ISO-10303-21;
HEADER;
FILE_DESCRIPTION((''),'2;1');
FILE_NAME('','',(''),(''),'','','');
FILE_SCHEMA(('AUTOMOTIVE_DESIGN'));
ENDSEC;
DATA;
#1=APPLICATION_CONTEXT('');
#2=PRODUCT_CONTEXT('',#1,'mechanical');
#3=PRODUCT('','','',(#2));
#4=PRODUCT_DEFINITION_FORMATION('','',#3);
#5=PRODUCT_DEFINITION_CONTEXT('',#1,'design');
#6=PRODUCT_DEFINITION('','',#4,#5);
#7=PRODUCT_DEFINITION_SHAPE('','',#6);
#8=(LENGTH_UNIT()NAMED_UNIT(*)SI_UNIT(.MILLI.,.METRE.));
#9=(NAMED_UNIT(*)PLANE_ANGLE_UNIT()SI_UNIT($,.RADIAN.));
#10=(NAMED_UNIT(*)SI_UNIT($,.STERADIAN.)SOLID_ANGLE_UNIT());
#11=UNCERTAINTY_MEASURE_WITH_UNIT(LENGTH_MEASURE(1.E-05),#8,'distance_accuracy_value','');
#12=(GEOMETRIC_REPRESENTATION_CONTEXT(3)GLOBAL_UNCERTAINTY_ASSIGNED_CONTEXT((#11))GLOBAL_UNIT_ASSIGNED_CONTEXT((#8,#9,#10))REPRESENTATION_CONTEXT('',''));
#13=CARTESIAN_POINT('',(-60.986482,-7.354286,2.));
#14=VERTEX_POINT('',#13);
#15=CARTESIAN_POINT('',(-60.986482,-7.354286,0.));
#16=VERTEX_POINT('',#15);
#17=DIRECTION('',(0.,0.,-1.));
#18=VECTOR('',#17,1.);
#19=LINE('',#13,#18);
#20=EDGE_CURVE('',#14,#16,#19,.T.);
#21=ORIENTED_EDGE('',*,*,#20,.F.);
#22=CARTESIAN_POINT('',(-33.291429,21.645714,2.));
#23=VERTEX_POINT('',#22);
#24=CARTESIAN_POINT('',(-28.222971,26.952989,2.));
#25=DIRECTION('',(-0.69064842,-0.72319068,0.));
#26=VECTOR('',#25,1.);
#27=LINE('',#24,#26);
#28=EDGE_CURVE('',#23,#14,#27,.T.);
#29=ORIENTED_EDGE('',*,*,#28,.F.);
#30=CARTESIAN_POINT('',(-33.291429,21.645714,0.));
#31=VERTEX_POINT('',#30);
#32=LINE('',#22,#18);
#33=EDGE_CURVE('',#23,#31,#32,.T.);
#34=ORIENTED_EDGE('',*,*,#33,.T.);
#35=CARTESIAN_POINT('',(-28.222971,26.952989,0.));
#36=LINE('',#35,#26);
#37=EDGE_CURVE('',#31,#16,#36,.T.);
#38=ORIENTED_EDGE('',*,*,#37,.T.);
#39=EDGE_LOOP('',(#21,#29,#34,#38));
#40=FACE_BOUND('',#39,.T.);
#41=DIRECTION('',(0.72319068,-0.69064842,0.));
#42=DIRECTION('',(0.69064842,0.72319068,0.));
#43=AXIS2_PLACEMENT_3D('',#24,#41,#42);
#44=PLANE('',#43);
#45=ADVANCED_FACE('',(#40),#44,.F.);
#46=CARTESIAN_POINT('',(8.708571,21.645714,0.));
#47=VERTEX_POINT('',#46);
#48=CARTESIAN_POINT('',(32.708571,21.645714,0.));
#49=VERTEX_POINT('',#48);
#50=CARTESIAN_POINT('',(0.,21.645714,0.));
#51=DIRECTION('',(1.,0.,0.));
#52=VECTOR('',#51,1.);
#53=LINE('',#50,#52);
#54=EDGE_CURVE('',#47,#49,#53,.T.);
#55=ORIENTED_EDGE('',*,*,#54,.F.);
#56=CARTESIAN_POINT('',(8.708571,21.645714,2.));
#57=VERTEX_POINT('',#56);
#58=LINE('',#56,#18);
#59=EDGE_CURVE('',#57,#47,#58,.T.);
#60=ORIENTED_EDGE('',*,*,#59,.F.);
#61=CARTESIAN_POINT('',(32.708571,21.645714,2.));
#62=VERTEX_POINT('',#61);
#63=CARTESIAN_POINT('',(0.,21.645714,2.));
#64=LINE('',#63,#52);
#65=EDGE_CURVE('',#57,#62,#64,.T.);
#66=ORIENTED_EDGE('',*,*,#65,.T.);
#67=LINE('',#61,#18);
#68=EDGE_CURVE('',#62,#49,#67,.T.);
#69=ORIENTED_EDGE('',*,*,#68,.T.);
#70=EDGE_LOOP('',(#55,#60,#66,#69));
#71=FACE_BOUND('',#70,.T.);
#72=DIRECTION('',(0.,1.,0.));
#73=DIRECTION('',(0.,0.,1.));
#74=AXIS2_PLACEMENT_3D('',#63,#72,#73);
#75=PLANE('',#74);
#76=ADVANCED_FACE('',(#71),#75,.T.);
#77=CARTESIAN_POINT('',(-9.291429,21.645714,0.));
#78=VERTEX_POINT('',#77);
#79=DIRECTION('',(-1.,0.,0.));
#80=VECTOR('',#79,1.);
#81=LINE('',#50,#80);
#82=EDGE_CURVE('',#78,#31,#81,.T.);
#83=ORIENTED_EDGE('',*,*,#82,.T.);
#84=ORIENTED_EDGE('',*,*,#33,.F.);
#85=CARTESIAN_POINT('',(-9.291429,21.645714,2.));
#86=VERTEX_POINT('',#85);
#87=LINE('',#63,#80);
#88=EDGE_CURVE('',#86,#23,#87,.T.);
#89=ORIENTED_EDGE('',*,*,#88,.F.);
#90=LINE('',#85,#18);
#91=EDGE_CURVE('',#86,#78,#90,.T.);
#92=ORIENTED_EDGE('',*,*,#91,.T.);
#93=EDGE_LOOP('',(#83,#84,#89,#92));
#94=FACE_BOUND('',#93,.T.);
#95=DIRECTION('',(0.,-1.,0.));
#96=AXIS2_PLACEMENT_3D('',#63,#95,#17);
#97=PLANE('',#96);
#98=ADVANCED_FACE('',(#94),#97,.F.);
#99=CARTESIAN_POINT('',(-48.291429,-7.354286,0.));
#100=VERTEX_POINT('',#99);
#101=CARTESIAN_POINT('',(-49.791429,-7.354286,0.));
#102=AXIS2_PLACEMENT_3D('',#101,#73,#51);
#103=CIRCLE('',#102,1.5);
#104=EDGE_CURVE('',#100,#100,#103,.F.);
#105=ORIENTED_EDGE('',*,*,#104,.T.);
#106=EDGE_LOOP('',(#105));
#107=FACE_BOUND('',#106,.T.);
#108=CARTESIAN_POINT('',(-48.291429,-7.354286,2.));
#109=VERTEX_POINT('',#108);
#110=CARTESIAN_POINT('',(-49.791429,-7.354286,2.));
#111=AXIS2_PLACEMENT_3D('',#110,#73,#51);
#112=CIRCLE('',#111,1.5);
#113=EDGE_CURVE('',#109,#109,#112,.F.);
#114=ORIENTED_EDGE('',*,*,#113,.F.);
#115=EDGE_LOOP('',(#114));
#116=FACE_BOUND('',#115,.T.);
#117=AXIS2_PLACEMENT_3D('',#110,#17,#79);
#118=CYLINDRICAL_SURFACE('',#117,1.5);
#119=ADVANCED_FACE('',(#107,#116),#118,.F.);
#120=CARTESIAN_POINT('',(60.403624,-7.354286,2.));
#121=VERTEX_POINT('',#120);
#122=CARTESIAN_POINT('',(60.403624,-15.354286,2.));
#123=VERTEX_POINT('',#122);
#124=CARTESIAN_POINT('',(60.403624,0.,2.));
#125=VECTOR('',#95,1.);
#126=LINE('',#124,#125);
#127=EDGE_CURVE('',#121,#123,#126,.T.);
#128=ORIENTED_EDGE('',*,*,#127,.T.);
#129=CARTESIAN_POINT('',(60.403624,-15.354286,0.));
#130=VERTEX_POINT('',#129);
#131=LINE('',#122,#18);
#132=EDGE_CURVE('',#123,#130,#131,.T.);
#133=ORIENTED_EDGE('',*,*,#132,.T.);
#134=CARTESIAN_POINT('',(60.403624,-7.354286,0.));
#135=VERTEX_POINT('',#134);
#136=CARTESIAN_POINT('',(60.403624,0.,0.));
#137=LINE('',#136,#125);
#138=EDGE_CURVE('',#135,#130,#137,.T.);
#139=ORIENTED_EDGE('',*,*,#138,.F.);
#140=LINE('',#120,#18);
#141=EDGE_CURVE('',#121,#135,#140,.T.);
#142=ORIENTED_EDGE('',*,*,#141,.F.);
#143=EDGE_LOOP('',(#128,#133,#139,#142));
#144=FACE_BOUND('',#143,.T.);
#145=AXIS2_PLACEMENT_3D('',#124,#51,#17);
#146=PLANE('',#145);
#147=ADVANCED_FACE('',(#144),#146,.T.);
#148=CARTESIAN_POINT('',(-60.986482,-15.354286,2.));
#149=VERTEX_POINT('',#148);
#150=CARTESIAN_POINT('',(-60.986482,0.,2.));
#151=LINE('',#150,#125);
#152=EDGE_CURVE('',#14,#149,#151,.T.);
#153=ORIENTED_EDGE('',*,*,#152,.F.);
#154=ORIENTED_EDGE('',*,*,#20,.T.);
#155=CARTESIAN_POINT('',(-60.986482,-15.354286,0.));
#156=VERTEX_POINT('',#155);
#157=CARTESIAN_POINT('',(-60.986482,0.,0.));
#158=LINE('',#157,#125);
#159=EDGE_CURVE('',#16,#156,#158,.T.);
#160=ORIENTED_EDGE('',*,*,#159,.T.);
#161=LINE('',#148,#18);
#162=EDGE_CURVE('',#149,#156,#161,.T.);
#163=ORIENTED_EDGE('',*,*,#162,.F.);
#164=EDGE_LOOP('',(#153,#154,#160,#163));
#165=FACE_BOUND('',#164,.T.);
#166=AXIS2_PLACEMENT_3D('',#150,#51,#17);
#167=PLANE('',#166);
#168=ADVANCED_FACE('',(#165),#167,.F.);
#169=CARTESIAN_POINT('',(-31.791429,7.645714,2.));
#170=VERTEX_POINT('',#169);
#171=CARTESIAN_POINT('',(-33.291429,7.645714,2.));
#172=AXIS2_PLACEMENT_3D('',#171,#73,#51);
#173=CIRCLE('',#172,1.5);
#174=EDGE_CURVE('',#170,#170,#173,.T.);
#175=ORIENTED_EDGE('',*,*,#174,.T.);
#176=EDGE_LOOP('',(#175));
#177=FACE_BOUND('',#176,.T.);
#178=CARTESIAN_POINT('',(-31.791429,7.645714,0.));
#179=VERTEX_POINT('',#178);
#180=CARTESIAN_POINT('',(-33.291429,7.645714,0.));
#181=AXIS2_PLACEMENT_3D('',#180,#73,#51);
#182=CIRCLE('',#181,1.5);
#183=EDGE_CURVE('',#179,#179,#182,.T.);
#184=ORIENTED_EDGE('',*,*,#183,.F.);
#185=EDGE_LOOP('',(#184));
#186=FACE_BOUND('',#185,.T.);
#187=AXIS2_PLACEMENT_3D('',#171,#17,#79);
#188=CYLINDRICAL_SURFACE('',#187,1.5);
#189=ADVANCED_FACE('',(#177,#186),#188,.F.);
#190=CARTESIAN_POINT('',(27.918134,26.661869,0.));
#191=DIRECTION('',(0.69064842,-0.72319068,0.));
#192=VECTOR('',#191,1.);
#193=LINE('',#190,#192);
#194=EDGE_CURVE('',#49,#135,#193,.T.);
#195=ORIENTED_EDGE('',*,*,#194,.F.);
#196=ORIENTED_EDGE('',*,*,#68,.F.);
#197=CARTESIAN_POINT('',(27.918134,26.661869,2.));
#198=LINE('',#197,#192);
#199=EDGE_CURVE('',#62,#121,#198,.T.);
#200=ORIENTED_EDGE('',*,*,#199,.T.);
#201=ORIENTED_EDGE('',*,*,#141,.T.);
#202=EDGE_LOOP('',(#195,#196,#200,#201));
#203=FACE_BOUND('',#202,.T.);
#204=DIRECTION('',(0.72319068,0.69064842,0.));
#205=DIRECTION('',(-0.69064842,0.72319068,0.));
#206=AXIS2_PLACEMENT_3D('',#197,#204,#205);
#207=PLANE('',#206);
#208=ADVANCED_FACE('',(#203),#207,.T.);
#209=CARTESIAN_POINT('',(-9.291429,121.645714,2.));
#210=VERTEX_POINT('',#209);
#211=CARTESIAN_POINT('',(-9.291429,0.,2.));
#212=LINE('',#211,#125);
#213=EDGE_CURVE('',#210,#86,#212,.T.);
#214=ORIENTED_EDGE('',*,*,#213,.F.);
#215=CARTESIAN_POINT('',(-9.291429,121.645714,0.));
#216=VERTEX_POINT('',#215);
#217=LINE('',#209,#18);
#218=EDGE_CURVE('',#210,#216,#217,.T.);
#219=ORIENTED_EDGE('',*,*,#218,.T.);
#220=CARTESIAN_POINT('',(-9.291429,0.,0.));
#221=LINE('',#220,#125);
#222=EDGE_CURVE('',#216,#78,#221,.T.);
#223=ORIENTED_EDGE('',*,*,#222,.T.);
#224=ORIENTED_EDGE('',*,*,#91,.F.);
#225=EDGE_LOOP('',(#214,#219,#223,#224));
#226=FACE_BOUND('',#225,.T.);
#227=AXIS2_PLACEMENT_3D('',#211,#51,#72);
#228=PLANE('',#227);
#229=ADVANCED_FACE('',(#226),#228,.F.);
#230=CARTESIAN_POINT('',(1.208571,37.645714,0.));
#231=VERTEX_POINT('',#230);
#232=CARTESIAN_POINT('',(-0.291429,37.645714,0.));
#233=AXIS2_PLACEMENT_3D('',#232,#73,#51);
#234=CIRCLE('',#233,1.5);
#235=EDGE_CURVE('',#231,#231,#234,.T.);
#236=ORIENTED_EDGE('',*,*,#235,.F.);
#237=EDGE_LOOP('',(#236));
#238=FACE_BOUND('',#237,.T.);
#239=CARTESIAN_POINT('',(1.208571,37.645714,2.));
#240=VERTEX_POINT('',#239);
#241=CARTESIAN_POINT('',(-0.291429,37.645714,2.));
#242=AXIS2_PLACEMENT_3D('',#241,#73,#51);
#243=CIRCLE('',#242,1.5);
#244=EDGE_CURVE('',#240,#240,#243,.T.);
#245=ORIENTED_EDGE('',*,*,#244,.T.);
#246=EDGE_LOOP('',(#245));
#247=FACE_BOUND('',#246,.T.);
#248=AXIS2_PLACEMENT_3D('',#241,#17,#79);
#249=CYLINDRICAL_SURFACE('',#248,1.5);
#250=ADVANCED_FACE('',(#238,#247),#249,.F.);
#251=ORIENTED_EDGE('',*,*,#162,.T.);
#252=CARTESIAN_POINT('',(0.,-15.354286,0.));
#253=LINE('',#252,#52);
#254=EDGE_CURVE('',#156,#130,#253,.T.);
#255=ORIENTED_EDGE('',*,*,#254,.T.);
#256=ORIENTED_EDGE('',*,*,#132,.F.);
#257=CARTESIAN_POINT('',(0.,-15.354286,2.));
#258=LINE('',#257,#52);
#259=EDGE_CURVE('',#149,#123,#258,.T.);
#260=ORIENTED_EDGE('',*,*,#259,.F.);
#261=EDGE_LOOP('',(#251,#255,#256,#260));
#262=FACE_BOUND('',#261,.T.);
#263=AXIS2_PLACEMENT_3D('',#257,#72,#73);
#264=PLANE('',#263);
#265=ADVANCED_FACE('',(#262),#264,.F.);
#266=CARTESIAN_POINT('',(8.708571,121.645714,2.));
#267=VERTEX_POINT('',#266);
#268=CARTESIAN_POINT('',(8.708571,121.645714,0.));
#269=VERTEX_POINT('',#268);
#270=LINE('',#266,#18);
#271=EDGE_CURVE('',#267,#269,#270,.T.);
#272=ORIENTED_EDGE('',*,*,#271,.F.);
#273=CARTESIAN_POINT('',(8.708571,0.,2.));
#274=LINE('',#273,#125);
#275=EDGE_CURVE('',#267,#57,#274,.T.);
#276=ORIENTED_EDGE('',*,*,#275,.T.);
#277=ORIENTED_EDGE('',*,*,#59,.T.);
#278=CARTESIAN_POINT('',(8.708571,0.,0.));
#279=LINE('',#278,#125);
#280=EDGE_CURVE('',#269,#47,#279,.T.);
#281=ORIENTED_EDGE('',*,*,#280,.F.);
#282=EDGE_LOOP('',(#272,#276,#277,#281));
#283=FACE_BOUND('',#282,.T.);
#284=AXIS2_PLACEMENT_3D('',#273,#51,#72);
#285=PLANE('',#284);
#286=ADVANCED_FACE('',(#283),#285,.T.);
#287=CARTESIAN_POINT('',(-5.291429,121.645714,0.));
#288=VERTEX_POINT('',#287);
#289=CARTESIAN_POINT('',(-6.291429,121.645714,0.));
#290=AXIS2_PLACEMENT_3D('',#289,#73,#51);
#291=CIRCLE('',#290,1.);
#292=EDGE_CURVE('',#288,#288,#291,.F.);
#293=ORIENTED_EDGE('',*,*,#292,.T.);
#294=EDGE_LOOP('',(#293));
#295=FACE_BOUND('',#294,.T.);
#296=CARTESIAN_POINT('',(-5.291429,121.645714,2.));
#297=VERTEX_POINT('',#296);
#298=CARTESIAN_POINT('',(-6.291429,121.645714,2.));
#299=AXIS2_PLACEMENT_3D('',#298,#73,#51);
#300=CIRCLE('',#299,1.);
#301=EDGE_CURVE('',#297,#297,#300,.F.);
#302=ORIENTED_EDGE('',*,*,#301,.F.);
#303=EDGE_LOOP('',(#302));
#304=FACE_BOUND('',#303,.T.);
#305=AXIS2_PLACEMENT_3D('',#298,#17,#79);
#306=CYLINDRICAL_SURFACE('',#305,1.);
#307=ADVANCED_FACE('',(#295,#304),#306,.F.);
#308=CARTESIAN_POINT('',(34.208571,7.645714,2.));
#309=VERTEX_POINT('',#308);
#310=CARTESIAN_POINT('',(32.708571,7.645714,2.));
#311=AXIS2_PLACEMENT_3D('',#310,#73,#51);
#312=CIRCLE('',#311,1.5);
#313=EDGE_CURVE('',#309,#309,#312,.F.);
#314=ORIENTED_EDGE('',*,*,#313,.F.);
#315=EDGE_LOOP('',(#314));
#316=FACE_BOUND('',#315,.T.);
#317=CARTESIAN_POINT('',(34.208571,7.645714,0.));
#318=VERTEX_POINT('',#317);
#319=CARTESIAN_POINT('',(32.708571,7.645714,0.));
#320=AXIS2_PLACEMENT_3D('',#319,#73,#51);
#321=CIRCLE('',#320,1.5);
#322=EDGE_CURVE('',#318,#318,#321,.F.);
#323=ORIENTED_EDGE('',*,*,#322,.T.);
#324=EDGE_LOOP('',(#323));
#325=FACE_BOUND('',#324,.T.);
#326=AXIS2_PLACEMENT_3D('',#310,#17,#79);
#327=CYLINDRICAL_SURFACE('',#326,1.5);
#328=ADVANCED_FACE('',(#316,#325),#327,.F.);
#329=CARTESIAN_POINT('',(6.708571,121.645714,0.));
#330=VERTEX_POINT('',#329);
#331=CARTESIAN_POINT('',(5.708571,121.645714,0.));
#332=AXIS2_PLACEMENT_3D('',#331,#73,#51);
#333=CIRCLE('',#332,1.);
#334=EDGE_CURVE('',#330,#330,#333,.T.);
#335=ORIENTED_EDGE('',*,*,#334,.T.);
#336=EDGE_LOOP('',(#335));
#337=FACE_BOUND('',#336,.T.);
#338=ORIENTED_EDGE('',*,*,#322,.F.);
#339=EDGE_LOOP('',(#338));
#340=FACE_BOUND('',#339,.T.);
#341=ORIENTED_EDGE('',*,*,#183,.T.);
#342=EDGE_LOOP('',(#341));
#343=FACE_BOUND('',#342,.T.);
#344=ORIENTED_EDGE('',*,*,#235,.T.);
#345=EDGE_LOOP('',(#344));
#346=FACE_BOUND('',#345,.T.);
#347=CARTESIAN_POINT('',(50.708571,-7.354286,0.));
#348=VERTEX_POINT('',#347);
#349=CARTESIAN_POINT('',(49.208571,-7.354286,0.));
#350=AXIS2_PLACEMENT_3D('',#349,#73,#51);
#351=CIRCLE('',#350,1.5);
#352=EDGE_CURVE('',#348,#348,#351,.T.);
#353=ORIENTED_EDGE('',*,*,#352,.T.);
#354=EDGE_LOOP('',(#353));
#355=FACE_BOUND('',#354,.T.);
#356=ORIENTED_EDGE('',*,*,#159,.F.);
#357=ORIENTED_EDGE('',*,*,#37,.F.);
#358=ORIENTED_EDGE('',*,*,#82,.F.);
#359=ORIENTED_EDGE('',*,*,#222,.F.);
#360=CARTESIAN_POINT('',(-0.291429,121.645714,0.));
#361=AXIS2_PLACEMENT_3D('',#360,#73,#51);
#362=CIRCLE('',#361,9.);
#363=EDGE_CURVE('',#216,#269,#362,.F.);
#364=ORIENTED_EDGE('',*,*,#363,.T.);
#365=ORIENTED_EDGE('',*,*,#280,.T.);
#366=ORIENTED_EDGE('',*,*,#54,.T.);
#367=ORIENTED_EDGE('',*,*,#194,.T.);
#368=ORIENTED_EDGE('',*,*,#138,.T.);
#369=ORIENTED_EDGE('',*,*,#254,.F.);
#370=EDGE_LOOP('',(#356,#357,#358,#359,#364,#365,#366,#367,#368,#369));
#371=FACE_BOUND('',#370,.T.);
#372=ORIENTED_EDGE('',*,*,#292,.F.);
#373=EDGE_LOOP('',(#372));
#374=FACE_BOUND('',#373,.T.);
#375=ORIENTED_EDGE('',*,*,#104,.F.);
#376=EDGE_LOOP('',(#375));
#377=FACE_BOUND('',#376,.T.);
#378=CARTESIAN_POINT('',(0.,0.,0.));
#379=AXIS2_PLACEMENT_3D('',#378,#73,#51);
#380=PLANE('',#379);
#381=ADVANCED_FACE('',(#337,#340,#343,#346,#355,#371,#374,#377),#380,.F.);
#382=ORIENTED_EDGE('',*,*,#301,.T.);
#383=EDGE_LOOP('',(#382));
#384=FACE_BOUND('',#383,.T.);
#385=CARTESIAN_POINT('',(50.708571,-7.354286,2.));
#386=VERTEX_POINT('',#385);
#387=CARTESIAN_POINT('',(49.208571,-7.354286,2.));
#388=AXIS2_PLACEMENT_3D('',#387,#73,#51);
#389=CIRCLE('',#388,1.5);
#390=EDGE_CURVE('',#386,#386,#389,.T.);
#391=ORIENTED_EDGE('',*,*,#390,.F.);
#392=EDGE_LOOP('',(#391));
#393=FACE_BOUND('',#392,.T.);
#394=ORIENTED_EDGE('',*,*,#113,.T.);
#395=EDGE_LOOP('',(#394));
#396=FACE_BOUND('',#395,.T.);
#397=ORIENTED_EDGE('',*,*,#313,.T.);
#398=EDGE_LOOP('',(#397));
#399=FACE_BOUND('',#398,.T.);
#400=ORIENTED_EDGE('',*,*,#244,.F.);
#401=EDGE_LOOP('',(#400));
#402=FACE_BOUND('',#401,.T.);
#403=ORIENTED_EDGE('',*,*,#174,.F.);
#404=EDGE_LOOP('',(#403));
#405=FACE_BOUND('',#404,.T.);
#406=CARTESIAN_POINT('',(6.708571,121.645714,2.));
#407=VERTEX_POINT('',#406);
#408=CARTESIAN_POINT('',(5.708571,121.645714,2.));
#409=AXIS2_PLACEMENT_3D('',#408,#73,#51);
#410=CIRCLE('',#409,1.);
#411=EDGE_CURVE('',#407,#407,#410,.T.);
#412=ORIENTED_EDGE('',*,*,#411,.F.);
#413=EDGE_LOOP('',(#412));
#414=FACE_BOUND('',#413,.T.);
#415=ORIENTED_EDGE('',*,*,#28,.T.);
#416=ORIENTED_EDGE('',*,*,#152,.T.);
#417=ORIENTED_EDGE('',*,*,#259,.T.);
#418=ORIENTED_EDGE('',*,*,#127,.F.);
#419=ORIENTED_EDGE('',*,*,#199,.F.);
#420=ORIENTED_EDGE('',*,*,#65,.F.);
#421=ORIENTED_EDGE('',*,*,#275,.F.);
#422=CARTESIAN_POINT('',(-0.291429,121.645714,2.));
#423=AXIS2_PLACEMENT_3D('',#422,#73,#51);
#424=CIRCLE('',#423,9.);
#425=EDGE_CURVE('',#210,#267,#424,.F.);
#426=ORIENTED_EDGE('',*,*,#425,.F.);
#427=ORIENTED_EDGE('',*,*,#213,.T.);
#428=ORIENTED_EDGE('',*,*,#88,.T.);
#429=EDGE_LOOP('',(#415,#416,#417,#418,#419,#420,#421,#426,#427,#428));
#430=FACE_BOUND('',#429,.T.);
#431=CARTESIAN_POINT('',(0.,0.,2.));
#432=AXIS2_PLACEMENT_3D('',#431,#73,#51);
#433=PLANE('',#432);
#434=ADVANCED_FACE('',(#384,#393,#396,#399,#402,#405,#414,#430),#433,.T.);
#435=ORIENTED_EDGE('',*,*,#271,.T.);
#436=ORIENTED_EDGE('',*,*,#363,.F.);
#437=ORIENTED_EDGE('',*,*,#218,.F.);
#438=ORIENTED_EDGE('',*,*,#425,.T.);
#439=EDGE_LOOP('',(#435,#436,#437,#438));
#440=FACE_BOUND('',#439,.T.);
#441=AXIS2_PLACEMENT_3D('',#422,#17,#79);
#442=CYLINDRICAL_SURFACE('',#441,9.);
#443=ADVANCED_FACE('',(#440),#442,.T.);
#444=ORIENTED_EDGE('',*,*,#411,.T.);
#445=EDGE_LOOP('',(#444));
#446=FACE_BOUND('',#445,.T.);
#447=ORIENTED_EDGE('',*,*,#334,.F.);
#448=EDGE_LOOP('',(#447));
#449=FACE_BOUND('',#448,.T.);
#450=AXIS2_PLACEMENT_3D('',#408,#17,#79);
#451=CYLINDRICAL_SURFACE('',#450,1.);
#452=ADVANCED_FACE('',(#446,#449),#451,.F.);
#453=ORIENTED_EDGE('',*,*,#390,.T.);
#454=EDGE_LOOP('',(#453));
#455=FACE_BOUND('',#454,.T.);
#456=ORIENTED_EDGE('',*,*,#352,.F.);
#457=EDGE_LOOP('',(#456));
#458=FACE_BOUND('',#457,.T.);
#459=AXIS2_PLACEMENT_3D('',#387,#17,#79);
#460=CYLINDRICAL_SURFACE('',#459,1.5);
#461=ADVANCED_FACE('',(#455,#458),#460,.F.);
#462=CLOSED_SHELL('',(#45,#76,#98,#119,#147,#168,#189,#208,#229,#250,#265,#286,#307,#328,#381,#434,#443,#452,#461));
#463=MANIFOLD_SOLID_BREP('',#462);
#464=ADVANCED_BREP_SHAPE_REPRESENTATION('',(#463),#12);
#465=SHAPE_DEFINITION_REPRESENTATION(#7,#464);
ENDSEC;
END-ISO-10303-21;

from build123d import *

# Parameters (mm, degrees)
SKETCH_1_R      = 1.5
SKETCH_1_R_2    = 1
EXTRUDE_1_DEPTH = 2


with BuildPart() as part:
    # 草图1 → 凸台-拉伸1 (new body)
    with BuildSketch(Plane.XY):
        with BuildLine():
            ThreePointArc((8.708571429, 121.645714286), (-0.291428571, 130.645714286), (-9.291428571, 121.645714286))
            Line((-9.291428571, 121.645714286), (-9.291428571, 21.645714286))
            Line((-9.291428571, 21.645714286), (-33.291428571, 21.645714286))
            Line((-33.291428571, 21.645714286), (-60.986481548, -7.354285714))
            Line((-60.986481548, -7.354285714), (-60.986481548, -15.354285714))
            Line((-60.986481548, -15.354285714), (60.403624405, -15.354285714))
            Line((60.403624405, -15.354285714), (60.403624405, -7.354285714))
            Line((60.403624405, -7.354285714), (32.708571429, 21.645714286))
            Line((32.708571429, 21.645714286), (8.708571429, 21.645714286))
            Line((8.708571429, 21.645714286), (8.708571429, 121.645714286))
        make_face()
        with Locations((-49.791428571, -7.354285714)):
            Circle(SKETCH_1_R, mode=Mode.SUBTRACT)
        with Locations((-33.291428571, 7.645714286)):
            Circle(SKETCH_1_R, mode=Mode.SUBTRACT)
        with Locations((-0.291428571, 37.645714286)):
            Circle(SKETCH_1_R, mode=Mode.SUBTRACT)
        with Locations((49.208571429, -7.354285714)):
            Circle(SKETCH_1_R, mode=Mode.SUBTRACT)
        with Locations((32.708571429, 7.645714286)):
            Circle(SKETCH_1_R, mode=Mode.SUBTRACT)
        with Locations((-6.291428571, 121.645714286)):
            Circle(SKETCH_1_R_2, mode=Mode.SUBTRACT)
        with Locations((5.708571429, 121.645714286)):
            Circle(SKETCH_1_R_2, mode=Mode.SUBTRACT)
    extrude(amount=EXTRUDE_1_DEPTH)


solid = part.part
